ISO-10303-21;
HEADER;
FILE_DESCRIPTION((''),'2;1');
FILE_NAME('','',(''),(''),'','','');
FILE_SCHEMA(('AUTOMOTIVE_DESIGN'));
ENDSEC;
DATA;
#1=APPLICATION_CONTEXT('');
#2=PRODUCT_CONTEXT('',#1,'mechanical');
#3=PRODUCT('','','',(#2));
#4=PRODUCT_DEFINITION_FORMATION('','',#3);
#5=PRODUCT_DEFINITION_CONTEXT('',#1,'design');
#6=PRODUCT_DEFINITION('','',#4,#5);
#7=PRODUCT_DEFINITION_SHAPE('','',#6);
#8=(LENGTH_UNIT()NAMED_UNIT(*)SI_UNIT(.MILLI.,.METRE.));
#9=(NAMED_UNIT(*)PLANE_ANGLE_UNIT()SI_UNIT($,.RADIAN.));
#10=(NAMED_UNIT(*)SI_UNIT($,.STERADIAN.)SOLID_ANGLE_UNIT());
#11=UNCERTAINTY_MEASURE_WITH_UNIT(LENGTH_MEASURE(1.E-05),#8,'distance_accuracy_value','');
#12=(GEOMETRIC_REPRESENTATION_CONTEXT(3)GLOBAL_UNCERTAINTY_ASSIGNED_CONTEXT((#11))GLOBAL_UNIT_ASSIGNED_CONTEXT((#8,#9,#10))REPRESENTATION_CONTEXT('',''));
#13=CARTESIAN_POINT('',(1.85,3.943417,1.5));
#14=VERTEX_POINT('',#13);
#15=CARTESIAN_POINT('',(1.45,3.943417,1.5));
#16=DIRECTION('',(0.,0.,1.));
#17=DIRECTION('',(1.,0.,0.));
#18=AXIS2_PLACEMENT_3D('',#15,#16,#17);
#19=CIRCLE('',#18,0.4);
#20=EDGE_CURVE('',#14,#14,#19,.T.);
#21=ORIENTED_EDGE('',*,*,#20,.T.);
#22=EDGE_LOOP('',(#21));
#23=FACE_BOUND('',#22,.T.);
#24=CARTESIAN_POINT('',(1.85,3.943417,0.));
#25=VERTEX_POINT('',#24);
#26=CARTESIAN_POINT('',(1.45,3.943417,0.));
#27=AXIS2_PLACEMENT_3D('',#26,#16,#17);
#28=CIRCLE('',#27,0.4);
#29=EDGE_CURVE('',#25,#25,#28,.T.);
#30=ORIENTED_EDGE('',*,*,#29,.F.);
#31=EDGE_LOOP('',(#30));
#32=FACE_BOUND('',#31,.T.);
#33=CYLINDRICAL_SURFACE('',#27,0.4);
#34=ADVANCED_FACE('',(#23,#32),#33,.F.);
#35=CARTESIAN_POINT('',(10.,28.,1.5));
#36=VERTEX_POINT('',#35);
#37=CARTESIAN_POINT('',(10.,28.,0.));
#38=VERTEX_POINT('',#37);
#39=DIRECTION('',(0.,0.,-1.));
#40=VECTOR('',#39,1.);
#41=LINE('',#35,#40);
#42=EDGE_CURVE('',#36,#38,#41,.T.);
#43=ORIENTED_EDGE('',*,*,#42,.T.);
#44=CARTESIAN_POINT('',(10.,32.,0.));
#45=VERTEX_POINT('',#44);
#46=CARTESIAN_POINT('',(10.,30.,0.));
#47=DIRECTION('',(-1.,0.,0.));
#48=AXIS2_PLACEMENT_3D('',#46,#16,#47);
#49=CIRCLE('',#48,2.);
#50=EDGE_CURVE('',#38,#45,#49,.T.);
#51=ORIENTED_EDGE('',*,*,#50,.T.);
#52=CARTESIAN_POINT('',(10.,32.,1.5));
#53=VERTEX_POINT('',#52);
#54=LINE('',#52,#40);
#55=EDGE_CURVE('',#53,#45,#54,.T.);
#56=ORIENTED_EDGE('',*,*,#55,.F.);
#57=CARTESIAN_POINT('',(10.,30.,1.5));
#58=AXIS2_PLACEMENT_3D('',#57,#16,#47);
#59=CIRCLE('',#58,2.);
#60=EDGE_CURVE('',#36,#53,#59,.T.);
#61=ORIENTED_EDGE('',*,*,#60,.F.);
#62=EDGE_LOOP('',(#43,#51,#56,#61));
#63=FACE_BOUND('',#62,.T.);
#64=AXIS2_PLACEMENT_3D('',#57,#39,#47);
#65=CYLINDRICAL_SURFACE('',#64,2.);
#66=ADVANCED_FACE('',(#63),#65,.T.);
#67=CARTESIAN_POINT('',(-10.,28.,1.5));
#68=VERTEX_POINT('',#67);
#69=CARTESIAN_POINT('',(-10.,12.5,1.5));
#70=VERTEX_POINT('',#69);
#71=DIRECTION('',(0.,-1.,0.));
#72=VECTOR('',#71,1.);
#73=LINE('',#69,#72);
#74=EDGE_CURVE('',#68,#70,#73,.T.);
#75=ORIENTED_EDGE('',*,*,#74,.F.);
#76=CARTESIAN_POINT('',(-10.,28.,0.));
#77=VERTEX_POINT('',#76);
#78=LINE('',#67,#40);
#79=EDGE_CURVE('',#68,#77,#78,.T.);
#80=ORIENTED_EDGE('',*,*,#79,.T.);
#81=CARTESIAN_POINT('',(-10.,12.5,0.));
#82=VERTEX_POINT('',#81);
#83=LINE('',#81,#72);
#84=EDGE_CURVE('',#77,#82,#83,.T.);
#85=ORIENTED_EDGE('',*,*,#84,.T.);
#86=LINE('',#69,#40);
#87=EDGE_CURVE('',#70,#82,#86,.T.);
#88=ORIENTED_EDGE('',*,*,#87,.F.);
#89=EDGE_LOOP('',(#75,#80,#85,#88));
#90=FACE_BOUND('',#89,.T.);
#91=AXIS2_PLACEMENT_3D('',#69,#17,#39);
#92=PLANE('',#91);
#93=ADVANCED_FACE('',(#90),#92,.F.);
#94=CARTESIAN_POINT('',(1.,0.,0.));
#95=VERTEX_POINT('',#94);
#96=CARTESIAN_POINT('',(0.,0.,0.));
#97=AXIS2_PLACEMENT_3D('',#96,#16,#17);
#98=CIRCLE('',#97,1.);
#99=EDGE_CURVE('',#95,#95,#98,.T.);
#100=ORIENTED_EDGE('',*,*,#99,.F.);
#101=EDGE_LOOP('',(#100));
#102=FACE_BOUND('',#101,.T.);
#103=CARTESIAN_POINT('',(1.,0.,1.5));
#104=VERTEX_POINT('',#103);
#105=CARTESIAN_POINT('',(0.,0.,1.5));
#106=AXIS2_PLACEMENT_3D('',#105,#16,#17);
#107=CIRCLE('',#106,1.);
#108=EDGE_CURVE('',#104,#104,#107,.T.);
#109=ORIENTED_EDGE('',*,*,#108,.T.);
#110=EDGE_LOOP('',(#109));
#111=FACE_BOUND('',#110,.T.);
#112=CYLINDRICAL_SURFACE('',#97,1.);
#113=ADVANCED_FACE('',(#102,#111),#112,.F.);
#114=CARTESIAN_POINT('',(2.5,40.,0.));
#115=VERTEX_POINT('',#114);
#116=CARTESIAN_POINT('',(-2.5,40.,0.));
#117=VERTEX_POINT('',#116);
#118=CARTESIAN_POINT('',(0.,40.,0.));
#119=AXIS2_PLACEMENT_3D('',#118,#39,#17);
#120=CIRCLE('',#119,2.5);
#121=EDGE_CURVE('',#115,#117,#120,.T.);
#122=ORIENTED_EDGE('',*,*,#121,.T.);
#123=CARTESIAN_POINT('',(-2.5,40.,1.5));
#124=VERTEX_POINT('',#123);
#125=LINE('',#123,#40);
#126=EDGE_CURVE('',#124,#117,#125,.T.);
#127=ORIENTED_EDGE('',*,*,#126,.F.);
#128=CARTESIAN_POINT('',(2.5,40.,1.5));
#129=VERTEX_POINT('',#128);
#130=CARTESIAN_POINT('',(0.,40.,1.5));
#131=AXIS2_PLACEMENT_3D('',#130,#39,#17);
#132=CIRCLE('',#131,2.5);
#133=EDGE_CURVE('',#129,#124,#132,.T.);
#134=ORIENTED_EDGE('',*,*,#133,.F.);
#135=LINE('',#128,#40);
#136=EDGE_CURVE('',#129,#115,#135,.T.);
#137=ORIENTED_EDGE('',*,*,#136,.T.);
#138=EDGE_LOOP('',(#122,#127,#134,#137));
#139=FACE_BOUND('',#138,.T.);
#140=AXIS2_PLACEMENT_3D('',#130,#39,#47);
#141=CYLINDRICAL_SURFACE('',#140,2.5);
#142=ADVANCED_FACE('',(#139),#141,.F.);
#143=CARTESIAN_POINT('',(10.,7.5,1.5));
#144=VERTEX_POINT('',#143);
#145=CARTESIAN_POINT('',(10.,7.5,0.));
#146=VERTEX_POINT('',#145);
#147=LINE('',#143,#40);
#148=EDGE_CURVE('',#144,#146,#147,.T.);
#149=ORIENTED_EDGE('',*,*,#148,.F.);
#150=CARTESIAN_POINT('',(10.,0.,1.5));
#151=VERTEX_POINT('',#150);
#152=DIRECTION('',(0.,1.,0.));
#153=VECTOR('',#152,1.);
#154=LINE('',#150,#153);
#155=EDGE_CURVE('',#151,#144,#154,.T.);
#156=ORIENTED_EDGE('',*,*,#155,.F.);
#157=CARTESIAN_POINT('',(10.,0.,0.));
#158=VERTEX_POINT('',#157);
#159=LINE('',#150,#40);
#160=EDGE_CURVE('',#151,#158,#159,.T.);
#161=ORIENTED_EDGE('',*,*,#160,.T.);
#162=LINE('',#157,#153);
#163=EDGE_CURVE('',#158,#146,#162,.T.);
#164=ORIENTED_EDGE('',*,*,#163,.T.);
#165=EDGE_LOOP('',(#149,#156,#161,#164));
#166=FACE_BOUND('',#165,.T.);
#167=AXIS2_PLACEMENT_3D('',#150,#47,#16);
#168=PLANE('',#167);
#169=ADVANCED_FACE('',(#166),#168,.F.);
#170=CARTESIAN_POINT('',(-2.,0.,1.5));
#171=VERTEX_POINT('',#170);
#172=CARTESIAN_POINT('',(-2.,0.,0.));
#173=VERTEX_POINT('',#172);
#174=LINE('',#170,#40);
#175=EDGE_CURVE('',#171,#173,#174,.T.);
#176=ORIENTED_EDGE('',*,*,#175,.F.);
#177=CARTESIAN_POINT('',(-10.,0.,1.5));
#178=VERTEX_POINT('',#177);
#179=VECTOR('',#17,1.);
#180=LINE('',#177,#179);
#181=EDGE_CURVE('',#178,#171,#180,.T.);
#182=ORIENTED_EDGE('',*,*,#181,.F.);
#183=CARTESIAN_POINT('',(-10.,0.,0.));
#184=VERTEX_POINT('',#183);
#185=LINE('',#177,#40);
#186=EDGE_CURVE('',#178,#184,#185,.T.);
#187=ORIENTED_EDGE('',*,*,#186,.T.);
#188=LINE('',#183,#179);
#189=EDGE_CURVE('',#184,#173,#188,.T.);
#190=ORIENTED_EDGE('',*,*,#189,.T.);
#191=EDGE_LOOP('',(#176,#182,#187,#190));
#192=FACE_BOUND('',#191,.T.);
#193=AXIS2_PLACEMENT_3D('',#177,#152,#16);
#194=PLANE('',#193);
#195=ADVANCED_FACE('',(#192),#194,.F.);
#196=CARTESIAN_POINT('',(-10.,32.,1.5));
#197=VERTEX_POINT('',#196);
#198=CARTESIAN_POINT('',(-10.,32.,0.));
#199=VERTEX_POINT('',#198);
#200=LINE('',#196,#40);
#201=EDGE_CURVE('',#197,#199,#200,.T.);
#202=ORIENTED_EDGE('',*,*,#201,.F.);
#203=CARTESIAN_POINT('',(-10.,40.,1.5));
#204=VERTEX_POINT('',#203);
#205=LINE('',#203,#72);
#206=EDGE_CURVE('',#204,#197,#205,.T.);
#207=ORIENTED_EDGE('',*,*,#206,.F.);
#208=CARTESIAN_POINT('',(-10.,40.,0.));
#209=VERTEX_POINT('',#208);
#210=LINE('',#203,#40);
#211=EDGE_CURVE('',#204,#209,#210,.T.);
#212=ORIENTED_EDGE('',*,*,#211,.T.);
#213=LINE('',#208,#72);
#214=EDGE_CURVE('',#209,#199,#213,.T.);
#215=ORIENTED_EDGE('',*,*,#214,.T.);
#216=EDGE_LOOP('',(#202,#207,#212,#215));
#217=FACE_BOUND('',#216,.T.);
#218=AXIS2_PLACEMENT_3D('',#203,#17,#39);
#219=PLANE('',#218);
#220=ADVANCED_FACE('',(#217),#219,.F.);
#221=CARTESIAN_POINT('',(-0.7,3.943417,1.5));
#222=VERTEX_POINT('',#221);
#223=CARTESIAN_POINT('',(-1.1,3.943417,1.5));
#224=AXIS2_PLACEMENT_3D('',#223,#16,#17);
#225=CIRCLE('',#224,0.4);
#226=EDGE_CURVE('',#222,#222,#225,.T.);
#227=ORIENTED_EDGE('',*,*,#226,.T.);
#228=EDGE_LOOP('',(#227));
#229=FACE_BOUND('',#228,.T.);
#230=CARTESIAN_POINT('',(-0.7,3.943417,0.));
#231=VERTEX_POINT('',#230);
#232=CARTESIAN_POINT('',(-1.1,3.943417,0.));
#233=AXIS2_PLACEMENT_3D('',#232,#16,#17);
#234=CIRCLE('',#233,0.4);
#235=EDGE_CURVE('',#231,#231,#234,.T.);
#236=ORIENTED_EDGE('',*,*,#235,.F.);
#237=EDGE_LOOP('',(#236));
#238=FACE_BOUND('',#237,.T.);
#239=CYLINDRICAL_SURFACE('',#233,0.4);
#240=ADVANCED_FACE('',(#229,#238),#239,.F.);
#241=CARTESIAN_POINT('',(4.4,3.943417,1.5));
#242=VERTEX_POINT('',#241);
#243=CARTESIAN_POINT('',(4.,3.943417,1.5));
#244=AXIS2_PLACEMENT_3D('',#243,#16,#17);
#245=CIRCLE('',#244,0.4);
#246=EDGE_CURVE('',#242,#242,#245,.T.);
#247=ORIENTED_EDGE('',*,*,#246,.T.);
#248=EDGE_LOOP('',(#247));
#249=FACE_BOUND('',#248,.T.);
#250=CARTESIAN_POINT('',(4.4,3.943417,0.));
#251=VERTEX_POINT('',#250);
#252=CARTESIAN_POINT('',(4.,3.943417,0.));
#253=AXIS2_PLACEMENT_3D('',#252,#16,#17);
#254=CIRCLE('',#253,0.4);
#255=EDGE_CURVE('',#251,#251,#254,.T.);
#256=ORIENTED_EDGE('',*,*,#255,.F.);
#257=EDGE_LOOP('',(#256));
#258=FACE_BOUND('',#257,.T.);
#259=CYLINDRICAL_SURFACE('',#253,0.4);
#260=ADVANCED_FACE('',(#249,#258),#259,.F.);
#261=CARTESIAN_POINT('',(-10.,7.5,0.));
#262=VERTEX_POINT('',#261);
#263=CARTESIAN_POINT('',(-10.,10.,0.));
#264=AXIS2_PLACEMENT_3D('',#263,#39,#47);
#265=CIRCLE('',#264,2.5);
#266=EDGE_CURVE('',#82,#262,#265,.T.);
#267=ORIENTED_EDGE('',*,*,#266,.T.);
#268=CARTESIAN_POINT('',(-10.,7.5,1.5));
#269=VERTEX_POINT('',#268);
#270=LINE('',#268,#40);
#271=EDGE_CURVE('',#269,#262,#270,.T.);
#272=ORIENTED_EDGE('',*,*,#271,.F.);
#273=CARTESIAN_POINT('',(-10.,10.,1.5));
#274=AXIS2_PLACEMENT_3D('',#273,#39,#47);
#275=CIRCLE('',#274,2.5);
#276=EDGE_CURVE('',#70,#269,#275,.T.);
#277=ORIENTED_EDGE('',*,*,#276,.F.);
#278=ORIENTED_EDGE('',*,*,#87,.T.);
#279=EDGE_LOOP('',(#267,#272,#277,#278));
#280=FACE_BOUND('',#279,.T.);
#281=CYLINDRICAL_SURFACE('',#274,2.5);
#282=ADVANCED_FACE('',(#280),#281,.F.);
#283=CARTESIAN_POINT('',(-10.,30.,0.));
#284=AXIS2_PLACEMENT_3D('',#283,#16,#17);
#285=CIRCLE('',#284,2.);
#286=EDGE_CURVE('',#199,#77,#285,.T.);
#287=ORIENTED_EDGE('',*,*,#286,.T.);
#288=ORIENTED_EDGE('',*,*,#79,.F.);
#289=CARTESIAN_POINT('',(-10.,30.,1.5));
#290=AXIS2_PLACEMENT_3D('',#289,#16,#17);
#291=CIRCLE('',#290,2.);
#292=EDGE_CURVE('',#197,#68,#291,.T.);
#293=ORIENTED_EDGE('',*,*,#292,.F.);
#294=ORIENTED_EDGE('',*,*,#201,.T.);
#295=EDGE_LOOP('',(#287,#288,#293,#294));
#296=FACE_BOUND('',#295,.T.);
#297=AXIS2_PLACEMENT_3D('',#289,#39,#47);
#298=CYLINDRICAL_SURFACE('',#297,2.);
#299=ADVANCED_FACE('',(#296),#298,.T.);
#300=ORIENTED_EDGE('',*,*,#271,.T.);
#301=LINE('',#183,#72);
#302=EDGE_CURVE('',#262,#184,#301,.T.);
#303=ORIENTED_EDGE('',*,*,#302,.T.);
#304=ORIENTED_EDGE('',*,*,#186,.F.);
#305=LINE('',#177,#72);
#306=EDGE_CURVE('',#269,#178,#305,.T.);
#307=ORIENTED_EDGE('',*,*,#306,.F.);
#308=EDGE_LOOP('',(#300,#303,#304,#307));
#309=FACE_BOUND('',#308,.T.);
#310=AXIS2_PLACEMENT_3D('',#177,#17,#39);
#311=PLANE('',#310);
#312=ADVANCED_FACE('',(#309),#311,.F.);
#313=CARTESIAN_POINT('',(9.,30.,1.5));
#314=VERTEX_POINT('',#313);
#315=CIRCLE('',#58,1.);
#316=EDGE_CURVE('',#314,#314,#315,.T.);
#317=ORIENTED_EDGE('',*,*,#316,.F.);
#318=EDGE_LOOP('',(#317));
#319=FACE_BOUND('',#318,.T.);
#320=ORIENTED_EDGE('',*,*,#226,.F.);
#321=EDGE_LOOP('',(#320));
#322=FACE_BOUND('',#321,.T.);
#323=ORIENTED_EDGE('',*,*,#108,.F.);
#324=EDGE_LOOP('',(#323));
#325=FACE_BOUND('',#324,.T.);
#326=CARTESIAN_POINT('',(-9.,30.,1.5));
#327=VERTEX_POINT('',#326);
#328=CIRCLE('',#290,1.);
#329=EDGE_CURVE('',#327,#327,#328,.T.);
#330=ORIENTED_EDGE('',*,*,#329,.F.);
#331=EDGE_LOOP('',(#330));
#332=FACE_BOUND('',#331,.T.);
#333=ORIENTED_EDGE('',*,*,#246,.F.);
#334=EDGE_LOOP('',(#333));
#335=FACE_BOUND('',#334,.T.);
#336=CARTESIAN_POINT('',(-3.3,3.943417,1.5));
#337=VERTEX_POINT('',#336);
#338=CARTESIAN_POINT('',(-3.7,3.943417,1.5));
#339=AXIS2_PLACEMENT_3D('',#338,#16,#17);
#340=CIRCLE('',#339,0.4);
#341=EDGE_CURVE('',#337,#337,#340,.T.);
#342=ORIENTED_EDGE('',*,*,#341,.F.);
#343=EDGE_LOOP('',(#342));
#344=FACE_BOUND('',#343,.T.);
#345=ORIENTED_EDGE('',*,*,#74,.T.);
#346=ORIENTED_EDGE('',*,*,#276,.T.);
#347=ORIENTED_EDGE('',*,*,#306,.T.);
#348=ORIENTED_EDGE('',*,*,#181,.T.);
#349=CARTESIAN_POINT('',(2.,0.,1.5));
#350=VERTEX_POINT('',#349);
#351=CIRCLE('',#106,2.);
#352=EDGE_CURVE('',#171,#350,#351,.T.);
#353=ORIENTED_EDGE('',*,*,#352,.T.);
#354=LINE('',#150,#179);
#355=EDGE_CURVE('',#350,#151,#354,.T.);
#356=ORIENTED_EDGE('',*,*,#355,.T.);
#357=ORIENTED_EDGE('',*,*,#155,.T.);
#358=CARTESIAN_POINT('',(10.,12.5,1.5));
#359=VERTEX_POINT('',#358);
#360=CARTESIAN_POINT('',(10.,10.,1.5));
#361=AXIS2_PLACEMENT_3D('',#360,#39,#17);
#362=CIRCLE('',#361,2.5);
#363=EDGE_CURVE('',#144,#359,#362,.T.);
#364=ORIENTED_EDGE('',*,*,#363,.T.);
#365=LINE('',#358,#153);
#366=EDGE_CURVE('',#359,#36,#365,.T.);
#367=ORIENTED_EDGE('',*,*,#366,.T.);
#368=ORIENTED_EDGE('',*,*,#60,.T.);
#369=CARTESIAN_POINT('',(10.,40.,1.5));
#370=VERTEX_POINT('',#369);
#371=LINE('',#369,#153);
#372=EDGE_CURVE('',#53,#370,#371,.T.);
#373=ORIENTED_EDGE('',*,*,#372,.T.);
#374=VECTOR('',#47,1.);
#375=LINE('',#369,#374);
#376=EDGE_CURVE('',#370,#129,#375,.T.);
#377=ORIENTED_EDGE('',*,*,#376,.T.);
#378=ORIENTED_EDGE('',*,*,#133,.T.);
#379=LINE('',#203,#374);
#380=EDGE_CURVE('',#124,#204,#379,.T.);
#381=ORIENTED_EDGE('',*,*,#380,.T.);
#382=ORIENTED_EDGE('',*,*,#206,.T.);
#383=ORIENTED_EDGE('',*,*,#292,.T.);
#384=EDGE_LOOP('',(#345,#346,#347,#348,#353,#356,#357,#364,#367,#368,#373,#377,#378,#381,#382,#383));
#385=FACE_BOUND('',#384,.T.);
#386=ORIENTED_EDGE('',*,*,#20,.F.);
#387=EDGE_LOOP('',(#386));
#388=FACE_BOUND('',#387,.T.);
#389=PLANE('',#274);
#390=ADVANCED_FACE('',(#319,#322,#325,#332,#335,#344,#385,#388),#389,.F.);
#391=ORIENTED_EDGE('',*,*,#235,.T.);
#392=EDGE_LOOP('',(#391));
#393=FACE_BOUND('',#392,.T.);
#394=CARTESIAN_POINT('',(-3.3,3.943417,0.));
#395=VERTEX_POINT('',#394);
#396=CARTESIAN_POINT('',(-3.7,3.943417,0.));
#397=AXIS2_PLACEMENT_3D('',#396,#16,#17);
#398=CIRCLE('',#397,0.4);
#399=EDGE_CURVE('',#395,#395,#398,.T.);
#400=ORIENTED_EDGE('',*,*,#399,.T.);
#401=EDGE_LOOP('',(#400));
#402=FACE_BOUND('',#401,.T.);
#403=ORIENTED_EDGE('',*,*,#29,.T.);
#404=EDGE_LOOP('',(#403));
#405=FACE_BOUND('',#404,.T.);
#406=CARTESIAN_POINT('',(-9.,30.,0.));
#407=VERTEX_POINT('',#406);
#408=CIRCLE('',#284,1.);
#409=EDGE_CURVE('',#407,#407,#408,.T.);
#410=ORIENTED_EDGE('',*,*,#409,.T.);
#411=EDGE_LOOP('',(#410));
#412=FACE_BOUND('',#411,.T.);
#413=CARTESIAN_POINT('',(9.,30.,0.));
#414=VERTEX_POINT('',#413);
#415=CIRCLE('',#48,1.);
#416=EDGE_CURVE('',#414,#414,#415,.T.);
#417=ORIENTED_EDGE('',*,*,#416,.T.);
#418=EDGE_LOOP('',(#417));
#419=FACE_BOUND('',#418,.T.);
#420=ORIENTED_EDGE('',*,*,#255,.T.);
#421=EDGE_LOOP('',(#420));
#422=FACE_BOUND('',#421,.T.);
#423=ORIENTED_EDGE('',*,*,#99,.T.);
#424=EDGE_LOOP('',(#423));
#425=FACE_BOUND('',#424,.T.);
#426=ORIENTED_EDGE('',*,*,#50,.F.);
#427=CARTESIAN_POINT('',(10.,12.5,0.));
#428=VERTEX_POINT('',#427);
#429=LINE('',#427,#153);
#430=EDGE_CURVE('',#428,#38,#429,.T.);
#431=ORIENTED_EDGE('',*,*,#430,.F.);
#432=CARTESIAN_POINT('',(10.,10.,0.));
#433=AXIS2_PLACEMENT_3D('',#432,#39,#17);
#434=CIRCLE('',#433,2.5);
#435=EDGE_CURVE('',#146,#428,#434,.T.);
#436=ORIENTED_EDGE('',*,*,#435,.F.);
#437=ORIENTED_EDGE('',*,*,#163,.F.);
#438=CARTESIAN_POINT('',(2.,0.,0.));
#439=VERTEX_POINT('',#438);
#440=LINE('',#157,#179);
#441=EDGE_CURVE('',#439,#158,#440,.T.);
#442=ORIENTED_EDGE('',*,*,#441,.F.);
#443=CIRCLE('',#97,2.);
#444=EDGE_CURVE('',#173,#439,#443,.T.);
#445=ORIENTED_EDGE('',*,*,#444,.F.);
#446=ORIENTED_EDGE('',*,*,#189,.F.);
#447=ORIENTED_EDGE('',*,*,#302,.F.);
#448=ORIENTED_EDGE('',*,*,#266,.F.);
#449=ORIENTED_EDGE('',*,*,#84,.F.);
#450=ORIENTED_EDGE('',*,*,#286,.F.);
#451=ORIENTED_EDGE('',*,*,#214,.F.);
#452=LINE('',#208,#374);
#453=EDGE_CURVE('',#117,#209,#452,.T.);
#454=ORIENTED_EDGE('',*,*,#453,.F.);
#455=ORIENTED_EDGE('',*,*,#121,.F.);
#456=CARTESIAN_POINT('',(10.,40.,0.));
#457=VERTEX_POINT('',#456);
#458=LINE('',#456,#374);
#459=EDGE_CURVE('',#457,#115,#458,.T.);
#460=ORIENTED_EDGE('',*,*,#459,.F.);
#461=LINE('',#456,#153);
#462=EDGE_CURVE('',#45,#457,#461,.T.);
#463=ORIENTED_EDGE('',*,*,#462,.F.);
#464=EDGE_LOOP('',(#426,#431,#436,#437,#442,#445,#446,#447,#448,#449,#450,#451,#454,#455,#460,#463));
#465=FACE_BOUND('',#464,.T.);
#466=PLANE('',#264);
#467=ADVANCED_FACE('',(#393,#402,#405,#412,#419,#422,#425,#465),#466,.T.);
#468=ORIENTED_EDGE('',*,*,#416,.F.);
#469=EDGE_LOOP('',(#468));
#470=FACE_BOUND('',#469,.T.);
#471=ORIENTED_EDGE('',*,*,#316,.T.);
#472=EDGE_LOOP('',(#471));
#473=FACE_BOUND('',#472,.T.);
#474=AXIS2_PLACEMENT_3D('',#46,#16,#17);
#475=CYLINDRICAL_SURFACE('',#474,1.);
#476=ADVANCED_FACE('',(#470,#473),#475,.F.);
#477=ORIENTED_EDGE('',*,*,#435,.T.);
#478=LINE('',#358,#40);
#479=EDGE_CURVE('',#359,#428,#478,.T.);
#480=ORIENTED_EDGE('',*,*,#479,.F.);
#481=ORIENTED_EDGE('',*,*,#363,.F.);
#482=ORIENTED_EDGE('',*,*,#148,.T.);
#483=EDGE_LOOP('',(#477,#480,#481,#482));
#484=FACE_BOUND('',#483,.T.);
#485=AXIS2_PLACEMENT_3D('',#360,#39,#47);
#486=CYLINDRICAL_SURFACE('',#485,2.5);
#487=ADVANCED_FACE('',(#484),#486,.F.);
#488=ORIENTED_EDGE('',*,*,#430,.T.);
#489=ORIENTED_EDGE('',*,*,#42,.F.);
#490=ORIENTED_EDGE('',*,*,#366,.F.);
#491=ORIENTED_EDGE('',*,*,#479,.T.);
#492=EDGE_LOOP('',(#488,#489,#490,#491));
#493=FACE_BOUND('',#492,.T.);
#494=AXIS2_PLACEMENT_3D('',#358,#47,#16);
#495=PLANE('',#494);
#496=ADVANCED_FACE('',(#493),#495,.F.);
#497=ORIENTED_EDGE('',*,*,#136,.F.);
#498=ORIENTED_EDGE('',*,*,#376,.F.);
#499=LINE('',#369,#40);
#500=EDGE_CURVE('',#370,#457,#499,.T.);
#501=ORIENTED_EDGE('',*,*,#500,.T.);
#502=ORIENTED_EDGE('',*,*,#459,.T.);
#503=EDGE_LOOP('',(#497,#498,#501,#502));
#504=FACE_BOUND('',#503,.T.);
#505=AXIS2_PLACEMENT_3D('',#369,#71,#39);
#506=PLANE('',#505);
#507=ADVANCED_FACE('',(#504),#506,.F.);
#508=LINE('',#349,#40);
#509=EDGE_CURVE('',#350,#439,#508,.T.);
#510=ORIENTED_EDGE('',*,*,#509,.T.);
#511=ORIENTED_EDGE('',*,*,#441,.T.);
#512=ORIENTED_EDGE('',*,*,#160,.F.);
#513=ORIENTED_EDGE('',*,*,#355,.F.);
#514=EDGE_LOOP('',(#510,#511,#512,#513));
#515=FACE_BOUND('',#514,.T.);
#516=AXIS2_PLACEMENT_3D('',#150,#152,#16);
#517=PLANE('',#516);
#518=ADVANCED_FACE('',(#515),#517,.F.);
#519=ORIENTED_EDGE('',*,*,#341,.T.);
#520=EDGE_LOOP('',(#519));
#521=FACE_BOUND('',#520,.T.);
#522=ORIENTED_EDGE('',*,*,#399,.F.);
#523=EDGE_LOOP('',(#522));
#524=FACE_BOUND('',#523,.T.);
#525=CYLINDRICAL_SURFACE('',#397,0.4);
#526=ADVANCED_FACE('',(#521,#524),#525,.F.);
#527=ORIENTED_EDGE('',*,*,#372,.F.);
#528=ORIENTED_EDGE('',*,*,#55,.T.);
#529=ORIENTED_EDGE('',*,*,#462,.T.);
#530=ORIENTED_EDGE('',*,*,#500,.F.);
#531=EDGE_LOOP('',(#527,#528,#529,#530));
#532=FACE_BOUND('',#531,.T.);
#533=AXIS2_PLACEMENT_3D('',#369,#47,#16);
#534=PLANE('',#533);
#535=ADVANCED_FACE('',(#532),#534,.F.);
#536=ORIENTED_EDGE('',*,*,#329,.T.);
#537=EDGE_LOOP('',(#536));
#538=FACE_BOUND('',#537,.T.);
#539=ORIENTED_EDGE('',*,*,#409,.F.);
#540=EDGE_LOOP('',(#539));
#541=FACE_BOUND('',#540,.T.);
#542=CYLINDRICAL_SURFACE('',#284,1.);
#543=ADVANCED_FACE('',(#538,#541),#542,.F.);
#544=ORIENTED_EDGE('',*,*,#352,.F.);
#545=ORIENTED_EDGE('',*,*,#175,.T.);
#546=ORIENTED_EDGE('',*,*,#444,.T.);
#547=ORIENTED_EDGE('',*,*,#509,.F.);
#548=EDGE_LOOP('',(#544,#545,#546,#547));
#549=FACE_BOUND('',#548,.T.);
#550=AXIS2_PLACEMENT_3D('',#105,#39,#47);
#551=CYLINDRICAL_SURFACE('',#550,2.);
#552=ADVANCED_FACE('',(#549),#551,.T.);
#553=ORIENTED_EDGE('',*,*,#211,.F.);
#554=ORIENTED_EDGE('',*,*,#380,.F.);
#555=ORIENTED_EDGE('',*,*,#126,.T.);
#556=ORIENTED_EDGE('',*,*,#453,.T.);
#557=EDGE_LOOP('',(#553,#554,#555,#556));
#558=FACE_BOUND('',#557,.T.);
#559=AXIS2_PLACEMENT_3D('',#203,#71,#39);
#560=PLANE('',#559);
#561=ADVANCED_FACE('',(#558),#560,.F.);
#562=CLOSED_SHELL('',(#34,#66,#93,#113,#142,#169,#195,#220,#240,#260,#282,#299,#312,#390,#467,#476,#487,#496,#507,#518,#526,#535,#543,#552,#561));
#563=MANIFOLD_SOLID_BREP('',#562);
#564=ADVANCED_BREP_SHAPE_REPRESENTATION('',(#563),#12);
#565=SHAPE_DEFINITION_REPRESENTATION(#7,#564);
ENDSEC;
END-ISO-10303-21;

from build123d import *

# Parameters (mm, degrees)
PCB_DEPTH     = 1.5
ESQUISSE3_R   = 1
ESQUISSE3_R_2 = 0.4
TROUS_DEPTH   = 2.5


with BuildPart() as part:
    # Esquisse2 → PCB (new body)
    with BuildSketch(Plane.XY):
        with BuildLine():
            Line((-10, 0), (-2, 0))
            ThreePointArc((-2, 0), (0, -2), (2, 0))
            Line((2, 0), (10, 0))
            Line((10, 0), (10, 7.5))
            ThreePointArc((10, 7.5), (7.5, 10), (10, 12.5))
            Line((10, 12.5), (10, 28))
            ThreePointArc((10, 28), (12, 30), (10, 32))
            Line((10, 32), (10, 40))
            Line((10, 40), (2.5, 40))
            ThreePointArc((2.5, 40), (0, 37.5), (-2.5, 40))
            Line((-2.5, 40), (-10, 40))
            Line((-10, 40), (-10, 32))
            ThreePointArc((-10, 32), (-12, 30), (-10, 28))
            Line((-10, 28), (-10, 12.5))
            ThreePointArc((-10, 12.5), (-7.5, 10), (-10, 7.5))
            Line((-10, 7.5), (-10, 0))
        make_face()
    extrude(amount=PCB_DEPTH)

    # Esquisse3 → Trous (cut, through all)
    with BuildSketch(Plane.XY.offset(1.5)):
        with Locations((-10, 30)):
            Circle(ESQUISSE3_R)
        with Locations((4, 3.943417201)):
            Circle(ESQUISSE3_R_2)
        with Locations(Location((10, 30, 0), (0, 0, 180))):  # turned: the seam where the file's is
            Circle(ESQUISSE3_R)
        Circle(ESQUISSE3_R)
        with Locations((1.45, 3.943417201)):
            Circle(ESQUISSE3_R_2)
        with Locations((-1.1, 3.943417201)):
            Circle(ESQUISSE3_R_2)
        with Locations((-3.7, 3.943417201)):
            Circle(ESQUISSE3_R_2)
    extrude(amount=-TROUS_DEPTH, mode=Mode.SUBTRACT)


solid = part.part
